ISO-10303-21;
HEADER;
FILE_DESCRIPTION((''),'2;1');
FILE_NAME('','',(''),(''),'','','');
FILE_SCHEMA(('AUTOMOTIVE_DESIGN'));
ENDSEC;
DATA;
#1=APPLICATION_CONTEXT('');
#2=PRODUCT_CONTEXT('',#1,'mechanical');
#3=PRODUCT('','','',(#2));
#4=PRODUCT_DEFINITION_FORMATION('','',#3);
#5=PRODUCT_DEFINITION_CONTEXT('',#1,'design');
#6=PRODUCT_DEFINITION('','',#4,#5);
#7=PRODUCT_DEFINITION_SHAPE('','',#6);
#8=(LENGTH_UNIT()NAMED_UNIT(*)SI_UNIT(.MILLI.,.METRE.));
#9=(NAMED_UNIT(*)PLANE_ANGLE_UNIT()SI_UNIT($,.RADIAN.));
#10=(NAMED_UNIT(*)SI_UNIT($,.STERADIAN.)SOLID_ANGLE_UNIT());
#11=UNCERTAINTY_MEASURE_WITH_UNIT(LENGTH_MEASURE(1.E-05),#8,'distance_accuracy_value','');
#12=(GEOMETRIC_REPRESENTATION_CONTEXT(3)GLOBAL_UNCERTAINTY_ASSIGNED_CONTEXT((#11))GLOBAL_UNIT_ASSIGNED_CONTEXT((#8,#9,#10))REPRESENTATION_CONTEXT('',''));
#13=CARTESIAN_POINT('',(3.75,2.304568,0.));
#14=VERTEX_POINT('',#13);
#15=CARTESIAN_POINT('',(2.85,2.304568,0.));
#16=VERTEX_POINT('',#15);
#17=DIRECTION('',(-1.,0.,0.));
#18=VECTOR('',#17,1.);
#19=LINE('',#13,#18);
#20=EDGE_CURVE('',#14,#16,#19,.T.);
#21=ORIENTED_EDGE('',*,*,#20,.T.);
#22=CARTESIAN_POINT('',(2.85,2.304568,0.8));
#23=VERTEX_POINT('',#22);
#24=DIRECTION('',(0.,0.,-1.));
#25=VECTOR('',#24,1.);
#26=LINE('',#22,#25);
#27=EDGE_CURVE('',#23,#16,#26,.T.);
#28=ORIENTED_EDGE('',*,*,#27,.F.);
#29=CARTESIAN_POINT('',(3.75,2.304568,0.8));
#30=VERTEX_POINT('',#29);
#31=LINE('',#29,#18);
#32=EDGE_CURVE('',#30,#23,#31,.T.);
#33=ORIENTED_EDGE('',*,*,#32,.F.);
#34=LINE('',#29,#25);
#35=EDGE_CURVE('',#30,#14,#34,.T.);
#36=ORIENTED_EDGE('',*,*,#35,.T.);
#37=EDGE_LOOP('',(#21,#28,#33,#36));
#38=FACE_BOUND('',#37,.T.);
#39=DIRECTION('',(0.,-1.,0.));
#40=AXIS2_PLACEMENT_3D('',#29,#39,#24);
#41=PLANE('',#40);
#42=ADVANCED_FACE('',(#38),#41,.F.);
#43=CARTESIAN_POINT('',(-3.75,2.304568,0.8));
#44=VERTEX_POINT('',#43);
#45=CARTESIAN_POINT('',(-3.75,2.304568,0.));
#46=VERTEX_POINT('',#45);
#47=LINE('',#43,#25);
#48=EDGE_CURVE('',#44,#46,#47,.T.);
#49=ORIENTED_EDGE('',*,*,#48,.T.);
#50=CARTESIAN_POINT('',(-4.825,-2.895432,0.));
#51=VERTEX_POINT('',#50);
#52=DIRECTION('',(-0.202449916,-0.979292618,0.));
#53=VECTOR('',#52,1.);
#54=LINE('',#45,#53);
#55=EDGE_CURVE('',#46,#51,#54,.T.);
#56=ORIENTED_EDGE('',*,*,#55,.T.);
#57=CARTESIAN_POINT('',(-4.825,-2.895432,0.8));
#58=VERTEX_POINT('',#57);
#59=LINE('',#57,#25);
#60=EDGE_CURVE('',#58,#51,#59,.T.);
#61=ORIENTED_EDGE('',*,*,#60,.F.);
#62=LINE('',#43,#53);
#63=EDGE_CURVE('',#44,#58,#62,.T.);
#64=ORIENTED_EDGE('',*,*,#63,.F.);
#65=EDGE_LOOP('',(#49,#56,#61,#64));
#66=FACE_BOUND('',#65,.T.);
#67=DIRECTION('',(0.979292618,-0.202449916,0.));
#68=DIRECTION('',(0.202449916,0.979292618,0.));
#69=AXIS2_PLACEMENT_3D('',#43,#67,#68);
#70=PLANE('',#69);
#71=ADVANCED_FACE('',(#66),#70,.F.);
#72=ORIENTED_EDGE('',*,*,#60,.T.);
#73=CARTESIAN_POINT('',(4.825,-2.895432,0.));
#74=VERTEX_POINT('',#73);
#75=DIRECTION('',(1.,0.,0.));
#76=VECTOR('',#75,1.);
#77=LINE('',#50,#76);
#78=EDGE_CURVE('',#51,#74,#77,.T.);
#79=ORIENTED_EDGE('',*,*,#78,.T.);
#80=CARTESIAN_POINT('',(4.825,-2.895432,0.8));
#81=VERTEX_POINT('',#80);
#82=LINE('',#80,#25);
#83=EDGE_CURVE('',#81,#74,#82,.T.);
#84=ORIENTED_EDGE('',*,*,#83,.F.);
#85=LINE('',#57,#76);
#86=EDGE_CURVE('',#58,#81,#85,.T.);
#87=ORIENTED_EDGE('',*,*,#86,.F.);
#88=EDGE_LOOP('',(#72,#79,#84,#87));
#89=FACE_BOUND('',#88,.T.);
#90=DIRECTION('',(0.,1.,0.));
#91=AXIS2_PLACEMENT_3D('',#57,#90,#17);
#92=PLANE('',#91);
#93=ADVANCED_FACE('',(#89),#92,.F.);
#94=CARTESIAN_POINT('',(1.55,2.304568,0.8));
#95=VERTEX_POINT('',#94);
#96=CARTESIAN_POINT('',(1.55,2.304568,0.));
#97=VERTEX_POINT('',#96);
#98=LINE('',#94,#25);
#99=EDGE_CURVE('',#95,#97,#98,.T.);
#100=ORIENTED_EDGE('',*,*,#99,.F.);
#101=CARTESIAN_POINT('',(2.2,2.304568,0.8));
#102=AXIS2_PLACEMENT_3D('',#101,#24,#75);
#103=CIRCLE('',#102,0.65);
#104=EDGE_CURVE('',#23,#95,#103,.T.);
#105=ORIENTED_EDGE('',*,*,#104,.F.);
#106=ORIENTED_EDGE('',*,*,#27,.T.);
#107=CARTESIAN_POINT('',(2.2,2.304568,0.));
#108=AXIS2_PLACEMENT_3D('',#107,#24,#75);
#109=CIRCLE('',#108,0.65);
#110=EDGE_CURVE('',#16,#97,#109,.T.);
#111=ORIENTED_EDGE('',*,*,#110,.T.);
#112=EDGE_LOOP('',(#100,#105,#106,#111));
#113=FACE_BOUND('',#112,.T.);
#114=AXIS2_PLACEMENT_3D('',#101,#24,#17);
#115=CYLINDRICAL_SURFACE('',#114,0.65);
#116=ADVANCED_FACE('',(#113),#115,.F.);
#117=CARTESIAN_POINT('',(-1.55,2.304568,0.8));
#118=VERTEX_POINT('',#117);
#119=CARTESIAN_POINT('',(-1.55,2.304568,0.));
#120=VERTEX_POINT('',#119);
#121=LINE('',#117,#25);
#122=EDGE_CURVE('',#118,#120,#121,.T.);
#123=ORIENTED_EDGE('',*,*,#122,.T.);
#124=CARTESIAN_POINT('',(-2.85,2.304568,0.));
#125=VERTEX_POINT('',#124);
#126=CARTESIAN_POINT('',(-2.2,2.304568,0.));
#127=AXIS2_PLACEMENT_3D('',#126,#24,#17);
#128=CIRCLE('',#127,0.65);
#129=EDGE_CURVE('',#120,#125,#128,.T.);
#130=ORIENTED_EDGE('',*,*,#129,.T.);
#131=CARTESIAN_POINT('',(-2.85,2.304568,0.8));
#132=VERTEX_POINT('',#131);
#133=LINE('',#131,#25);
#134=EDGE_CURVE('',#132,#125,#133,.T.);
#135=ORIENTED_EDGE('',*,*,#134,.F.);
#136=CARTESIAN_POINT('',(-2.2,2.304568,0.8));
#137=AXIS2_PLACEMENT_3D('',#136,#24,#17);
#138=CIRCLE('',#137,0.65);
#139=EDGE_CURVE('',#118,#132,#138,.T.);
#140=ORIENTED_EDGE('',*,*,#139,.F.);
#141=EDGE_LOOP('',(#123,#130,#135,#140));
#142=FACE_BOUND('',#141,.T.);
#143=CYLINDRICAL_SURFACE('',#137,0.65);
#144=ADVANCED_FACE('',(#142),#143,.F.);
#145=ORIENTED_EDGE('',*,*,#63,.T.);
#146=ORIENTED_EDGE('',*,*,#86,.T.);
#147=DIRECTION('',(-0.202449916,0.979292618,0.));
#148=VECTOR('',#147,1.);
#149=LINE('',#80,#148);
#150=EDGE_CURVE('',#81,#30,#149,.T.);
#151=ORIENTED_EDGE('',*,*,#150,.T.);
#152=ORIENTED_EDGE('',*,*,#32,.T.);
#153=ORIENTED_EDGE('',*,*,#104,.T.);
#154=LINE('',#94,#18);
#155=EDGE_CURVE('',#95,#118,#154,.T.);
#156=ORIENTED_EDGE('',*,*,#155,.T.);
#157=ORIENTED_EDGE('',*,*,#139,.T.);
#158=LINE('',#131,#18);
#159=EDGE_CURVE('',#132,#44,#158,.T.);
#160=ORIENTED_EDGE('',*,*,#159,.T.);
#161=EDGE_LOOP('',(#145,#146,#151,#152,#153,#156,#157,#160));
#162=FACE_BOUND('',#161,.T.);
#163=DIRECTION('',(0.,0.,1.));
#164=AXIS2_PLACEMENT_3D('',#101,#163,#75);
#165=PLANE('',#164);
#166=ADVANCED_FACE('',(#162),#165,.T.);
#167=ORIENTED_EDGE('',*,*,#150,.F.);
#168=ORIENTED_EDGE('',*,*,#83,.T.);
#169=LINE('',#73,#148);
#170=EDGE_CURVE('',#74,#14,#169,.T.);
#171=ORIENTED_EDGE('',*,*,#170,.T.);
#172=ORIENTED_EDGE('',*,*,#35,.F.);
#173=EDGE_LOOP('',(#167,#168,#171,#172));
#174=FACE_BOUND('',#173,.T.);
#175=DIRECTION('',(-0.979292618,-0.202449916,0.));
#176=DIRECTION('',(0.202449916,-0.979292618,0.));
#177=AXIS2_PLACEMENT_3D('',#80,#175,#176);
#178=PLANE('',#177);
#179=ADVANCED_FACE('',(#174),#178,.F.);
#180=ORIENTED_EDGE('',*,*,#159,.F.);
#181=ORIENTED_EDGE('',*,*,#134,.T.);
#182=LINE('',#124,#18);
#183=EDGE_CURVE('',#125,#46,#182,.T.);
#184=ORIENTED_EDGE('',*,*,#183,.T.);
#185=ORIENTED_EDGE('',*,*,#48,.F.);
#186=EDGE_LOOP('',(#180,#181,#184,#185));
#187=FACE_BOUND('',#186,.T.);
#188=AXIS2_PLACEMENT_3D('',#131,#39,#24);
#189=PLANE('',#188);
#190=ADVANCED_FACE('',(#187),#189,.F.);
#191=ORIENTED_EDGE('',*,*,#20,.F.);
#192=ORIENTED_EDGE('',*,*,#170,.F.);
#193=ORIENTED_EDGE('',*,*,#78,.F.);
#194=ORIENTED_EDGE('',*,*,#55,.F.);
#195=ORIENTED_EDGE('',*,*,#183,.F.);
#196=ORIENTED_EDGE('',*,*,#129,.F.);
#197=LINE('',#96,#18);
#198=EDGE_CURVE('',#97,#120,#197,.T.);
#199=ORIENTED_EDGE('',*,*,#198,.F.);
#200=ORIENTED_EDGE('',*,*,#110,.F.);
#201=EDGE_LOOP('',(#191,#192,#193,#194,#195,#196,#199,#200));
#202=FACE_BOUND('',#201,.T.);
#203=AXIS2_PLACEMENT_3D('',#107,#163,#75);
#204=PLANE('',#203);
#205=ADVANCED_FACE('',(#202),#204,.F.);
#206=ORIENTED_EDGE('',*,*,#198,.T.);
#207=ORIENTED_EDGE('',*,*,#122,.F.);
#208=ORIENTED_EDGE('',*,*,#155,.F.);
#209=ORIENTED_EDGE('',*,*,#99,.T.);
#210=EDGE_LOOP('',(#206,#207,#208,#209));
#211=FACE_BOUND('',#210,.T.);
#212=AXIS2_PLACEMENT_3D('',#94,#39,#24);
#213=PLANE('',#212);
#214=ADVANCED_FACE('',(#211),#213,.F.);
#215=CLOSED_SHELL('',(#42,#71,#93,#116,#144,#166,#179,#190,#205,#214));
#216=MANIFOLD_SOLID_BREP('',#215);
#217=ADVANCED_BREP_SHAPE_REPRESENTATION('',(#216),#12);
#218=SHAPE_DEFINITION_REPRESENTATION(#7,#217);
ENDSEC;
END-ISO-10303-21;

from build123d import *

# Parameters (mm, degrees)
BOSS_EXTRUDE1_DEPTH = 0.8


with BuildPart() as part:
    # Sketch1 → Boss-Extrude1 (new body)
    with BuildSketch(Plane.XY):
        with BuildLine():
            Line((4.825, -2.895431569), (3.75, 2.304568431))
            Line((3.75, 2.304568431), (2.85, 2.304568431))
            ThreePointArc((2.85, 2.304568431), (2.2, 1.654568431), (1.55, 2.304568431))
            Line((1.55, 2.304568431), (-1.55, 2.304568431))
            ThreePointArc((-1.55, 2.304568431), (-2.2, 1.654568431), (-2.85, 2.304568431))
            Line((-2.85, 2.304568431), (-3.75, 2.304568431))
            Line((-3.75, 2.304568431), (-4.825, -2.895431569))
            Line((-4.825, -2.895431569), (4.825, -2.895431569))
        make_face()
    extrude(amount=BOSS_EXTRUDE1_DEPTH)


solid = part.part
